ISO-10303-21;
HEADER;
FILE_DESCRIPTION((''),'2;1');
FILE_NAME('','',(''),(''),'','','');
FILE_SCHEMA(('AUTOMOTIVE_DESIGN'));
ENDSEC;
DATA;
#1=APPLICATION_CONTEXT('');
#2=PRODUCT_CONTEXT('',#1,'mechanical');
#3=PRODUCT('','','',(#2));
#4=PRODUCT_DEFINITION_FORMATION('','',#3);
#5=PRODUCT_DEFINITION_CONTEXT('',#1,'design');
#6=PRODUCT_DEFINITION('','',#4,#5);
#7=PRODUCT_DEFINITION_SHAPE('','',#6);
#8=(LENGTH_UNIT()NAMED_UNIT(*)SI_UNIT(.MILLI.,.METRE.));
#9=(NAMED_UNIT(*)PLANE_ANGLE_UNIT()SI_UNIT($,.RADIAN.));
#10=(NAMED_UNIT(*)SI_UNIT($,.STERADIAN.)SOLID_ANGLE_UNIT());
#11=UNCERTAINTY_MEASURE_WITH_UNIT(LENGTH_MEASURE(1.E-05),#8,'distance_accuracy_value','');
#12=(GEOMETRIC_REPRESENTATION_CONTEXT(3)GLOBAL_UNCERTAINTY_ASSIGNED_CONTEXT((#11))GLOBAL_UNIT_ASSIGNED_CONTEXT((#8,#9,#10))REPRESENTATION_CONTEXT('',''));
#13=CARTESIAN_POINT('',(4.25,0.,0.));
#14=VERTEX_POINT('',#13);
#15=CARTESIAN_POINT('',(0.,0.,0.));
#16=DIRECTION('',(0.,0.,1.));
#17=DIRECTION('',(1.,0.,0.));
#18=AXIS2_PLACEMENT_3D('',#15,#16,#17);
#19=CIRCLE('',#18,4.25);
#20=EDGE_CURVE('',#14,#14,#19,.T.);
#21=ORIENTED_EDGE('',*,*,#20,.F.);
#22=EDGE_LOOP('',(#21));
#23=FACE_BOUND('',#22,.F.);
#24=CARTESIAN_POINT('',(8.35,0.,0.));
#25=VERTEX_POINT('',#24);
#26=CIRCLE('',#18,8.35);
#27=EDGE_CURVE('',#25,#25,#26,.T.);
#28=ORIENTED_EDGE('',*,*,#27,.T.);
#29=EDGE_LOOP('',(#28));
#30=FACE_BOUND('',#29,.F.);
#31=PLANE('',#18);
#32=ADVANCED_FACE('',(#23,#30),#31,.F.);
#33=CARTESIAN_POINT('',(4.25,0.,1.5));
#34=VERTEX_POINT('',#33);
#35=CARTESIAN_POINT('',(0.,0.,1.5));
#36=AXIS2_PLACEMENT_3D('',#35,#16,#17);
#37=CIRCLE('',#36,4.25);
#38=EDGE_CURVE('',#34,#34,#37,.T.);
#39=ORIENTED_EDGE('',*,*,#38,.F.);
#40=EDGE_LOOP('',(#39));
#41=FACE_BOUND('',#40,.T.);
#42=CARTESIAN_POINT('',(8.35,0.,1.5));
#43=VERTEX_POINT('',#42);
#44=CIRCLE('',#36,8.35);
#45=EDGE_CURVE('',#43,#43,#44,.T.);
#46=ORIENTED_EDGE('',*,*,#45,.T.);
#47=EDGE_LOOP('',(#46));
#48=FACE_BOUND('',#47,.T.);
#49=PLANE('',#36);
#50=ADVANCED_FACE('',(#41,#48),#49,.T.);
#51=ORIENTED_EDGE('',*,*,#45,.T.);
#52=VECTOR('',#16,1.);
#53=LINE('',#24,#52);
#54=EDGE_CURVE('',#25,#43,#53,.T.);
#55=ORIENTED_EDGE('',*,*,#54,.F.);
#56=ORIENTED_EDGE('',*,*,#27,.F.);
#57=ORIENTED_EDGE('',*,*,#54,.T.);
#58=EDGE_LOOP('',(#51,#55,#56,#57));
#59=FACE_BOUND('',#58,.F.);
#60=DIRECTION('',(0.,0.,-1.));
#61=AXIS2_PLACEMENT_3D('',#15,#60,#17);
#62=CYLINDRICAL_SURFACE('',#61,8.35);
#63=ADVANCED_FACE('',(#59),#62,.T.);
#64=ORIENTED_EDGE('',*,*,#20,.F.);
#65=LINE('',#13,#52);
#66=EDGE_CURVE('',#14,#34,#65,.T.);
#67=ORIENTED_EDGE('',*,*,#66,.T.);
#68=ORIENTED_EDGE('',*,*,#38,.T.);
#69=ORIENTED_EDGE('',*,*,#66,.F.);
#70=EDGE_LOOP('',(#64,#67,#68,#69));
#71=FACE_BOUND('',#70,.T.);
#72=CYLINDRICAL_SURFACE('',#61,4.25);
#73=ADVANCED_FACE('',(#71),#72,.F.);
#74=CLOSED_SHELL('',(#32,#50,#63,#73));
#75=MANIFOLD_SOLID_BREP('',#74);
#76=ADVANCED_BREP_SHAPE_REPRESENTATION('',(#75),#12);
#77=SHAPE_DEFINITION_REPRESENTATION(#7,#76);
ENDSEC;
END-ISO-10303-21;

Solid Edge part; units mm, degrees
sketch "Sketch1" plane through (0, 0, 0) normal (0, 0, 1) x (1, 0, 0)
  circle A0 centre (0, 0) radius 8.35
  circle A1 centre (0, 0) radius 4.25
  dimension "D1" = 16.7
  dimension "D2" = 8.5
extrude "Protrusion1" add sketch "Sketch1" along normal blind 1.5
properties material "Stainless steel"
